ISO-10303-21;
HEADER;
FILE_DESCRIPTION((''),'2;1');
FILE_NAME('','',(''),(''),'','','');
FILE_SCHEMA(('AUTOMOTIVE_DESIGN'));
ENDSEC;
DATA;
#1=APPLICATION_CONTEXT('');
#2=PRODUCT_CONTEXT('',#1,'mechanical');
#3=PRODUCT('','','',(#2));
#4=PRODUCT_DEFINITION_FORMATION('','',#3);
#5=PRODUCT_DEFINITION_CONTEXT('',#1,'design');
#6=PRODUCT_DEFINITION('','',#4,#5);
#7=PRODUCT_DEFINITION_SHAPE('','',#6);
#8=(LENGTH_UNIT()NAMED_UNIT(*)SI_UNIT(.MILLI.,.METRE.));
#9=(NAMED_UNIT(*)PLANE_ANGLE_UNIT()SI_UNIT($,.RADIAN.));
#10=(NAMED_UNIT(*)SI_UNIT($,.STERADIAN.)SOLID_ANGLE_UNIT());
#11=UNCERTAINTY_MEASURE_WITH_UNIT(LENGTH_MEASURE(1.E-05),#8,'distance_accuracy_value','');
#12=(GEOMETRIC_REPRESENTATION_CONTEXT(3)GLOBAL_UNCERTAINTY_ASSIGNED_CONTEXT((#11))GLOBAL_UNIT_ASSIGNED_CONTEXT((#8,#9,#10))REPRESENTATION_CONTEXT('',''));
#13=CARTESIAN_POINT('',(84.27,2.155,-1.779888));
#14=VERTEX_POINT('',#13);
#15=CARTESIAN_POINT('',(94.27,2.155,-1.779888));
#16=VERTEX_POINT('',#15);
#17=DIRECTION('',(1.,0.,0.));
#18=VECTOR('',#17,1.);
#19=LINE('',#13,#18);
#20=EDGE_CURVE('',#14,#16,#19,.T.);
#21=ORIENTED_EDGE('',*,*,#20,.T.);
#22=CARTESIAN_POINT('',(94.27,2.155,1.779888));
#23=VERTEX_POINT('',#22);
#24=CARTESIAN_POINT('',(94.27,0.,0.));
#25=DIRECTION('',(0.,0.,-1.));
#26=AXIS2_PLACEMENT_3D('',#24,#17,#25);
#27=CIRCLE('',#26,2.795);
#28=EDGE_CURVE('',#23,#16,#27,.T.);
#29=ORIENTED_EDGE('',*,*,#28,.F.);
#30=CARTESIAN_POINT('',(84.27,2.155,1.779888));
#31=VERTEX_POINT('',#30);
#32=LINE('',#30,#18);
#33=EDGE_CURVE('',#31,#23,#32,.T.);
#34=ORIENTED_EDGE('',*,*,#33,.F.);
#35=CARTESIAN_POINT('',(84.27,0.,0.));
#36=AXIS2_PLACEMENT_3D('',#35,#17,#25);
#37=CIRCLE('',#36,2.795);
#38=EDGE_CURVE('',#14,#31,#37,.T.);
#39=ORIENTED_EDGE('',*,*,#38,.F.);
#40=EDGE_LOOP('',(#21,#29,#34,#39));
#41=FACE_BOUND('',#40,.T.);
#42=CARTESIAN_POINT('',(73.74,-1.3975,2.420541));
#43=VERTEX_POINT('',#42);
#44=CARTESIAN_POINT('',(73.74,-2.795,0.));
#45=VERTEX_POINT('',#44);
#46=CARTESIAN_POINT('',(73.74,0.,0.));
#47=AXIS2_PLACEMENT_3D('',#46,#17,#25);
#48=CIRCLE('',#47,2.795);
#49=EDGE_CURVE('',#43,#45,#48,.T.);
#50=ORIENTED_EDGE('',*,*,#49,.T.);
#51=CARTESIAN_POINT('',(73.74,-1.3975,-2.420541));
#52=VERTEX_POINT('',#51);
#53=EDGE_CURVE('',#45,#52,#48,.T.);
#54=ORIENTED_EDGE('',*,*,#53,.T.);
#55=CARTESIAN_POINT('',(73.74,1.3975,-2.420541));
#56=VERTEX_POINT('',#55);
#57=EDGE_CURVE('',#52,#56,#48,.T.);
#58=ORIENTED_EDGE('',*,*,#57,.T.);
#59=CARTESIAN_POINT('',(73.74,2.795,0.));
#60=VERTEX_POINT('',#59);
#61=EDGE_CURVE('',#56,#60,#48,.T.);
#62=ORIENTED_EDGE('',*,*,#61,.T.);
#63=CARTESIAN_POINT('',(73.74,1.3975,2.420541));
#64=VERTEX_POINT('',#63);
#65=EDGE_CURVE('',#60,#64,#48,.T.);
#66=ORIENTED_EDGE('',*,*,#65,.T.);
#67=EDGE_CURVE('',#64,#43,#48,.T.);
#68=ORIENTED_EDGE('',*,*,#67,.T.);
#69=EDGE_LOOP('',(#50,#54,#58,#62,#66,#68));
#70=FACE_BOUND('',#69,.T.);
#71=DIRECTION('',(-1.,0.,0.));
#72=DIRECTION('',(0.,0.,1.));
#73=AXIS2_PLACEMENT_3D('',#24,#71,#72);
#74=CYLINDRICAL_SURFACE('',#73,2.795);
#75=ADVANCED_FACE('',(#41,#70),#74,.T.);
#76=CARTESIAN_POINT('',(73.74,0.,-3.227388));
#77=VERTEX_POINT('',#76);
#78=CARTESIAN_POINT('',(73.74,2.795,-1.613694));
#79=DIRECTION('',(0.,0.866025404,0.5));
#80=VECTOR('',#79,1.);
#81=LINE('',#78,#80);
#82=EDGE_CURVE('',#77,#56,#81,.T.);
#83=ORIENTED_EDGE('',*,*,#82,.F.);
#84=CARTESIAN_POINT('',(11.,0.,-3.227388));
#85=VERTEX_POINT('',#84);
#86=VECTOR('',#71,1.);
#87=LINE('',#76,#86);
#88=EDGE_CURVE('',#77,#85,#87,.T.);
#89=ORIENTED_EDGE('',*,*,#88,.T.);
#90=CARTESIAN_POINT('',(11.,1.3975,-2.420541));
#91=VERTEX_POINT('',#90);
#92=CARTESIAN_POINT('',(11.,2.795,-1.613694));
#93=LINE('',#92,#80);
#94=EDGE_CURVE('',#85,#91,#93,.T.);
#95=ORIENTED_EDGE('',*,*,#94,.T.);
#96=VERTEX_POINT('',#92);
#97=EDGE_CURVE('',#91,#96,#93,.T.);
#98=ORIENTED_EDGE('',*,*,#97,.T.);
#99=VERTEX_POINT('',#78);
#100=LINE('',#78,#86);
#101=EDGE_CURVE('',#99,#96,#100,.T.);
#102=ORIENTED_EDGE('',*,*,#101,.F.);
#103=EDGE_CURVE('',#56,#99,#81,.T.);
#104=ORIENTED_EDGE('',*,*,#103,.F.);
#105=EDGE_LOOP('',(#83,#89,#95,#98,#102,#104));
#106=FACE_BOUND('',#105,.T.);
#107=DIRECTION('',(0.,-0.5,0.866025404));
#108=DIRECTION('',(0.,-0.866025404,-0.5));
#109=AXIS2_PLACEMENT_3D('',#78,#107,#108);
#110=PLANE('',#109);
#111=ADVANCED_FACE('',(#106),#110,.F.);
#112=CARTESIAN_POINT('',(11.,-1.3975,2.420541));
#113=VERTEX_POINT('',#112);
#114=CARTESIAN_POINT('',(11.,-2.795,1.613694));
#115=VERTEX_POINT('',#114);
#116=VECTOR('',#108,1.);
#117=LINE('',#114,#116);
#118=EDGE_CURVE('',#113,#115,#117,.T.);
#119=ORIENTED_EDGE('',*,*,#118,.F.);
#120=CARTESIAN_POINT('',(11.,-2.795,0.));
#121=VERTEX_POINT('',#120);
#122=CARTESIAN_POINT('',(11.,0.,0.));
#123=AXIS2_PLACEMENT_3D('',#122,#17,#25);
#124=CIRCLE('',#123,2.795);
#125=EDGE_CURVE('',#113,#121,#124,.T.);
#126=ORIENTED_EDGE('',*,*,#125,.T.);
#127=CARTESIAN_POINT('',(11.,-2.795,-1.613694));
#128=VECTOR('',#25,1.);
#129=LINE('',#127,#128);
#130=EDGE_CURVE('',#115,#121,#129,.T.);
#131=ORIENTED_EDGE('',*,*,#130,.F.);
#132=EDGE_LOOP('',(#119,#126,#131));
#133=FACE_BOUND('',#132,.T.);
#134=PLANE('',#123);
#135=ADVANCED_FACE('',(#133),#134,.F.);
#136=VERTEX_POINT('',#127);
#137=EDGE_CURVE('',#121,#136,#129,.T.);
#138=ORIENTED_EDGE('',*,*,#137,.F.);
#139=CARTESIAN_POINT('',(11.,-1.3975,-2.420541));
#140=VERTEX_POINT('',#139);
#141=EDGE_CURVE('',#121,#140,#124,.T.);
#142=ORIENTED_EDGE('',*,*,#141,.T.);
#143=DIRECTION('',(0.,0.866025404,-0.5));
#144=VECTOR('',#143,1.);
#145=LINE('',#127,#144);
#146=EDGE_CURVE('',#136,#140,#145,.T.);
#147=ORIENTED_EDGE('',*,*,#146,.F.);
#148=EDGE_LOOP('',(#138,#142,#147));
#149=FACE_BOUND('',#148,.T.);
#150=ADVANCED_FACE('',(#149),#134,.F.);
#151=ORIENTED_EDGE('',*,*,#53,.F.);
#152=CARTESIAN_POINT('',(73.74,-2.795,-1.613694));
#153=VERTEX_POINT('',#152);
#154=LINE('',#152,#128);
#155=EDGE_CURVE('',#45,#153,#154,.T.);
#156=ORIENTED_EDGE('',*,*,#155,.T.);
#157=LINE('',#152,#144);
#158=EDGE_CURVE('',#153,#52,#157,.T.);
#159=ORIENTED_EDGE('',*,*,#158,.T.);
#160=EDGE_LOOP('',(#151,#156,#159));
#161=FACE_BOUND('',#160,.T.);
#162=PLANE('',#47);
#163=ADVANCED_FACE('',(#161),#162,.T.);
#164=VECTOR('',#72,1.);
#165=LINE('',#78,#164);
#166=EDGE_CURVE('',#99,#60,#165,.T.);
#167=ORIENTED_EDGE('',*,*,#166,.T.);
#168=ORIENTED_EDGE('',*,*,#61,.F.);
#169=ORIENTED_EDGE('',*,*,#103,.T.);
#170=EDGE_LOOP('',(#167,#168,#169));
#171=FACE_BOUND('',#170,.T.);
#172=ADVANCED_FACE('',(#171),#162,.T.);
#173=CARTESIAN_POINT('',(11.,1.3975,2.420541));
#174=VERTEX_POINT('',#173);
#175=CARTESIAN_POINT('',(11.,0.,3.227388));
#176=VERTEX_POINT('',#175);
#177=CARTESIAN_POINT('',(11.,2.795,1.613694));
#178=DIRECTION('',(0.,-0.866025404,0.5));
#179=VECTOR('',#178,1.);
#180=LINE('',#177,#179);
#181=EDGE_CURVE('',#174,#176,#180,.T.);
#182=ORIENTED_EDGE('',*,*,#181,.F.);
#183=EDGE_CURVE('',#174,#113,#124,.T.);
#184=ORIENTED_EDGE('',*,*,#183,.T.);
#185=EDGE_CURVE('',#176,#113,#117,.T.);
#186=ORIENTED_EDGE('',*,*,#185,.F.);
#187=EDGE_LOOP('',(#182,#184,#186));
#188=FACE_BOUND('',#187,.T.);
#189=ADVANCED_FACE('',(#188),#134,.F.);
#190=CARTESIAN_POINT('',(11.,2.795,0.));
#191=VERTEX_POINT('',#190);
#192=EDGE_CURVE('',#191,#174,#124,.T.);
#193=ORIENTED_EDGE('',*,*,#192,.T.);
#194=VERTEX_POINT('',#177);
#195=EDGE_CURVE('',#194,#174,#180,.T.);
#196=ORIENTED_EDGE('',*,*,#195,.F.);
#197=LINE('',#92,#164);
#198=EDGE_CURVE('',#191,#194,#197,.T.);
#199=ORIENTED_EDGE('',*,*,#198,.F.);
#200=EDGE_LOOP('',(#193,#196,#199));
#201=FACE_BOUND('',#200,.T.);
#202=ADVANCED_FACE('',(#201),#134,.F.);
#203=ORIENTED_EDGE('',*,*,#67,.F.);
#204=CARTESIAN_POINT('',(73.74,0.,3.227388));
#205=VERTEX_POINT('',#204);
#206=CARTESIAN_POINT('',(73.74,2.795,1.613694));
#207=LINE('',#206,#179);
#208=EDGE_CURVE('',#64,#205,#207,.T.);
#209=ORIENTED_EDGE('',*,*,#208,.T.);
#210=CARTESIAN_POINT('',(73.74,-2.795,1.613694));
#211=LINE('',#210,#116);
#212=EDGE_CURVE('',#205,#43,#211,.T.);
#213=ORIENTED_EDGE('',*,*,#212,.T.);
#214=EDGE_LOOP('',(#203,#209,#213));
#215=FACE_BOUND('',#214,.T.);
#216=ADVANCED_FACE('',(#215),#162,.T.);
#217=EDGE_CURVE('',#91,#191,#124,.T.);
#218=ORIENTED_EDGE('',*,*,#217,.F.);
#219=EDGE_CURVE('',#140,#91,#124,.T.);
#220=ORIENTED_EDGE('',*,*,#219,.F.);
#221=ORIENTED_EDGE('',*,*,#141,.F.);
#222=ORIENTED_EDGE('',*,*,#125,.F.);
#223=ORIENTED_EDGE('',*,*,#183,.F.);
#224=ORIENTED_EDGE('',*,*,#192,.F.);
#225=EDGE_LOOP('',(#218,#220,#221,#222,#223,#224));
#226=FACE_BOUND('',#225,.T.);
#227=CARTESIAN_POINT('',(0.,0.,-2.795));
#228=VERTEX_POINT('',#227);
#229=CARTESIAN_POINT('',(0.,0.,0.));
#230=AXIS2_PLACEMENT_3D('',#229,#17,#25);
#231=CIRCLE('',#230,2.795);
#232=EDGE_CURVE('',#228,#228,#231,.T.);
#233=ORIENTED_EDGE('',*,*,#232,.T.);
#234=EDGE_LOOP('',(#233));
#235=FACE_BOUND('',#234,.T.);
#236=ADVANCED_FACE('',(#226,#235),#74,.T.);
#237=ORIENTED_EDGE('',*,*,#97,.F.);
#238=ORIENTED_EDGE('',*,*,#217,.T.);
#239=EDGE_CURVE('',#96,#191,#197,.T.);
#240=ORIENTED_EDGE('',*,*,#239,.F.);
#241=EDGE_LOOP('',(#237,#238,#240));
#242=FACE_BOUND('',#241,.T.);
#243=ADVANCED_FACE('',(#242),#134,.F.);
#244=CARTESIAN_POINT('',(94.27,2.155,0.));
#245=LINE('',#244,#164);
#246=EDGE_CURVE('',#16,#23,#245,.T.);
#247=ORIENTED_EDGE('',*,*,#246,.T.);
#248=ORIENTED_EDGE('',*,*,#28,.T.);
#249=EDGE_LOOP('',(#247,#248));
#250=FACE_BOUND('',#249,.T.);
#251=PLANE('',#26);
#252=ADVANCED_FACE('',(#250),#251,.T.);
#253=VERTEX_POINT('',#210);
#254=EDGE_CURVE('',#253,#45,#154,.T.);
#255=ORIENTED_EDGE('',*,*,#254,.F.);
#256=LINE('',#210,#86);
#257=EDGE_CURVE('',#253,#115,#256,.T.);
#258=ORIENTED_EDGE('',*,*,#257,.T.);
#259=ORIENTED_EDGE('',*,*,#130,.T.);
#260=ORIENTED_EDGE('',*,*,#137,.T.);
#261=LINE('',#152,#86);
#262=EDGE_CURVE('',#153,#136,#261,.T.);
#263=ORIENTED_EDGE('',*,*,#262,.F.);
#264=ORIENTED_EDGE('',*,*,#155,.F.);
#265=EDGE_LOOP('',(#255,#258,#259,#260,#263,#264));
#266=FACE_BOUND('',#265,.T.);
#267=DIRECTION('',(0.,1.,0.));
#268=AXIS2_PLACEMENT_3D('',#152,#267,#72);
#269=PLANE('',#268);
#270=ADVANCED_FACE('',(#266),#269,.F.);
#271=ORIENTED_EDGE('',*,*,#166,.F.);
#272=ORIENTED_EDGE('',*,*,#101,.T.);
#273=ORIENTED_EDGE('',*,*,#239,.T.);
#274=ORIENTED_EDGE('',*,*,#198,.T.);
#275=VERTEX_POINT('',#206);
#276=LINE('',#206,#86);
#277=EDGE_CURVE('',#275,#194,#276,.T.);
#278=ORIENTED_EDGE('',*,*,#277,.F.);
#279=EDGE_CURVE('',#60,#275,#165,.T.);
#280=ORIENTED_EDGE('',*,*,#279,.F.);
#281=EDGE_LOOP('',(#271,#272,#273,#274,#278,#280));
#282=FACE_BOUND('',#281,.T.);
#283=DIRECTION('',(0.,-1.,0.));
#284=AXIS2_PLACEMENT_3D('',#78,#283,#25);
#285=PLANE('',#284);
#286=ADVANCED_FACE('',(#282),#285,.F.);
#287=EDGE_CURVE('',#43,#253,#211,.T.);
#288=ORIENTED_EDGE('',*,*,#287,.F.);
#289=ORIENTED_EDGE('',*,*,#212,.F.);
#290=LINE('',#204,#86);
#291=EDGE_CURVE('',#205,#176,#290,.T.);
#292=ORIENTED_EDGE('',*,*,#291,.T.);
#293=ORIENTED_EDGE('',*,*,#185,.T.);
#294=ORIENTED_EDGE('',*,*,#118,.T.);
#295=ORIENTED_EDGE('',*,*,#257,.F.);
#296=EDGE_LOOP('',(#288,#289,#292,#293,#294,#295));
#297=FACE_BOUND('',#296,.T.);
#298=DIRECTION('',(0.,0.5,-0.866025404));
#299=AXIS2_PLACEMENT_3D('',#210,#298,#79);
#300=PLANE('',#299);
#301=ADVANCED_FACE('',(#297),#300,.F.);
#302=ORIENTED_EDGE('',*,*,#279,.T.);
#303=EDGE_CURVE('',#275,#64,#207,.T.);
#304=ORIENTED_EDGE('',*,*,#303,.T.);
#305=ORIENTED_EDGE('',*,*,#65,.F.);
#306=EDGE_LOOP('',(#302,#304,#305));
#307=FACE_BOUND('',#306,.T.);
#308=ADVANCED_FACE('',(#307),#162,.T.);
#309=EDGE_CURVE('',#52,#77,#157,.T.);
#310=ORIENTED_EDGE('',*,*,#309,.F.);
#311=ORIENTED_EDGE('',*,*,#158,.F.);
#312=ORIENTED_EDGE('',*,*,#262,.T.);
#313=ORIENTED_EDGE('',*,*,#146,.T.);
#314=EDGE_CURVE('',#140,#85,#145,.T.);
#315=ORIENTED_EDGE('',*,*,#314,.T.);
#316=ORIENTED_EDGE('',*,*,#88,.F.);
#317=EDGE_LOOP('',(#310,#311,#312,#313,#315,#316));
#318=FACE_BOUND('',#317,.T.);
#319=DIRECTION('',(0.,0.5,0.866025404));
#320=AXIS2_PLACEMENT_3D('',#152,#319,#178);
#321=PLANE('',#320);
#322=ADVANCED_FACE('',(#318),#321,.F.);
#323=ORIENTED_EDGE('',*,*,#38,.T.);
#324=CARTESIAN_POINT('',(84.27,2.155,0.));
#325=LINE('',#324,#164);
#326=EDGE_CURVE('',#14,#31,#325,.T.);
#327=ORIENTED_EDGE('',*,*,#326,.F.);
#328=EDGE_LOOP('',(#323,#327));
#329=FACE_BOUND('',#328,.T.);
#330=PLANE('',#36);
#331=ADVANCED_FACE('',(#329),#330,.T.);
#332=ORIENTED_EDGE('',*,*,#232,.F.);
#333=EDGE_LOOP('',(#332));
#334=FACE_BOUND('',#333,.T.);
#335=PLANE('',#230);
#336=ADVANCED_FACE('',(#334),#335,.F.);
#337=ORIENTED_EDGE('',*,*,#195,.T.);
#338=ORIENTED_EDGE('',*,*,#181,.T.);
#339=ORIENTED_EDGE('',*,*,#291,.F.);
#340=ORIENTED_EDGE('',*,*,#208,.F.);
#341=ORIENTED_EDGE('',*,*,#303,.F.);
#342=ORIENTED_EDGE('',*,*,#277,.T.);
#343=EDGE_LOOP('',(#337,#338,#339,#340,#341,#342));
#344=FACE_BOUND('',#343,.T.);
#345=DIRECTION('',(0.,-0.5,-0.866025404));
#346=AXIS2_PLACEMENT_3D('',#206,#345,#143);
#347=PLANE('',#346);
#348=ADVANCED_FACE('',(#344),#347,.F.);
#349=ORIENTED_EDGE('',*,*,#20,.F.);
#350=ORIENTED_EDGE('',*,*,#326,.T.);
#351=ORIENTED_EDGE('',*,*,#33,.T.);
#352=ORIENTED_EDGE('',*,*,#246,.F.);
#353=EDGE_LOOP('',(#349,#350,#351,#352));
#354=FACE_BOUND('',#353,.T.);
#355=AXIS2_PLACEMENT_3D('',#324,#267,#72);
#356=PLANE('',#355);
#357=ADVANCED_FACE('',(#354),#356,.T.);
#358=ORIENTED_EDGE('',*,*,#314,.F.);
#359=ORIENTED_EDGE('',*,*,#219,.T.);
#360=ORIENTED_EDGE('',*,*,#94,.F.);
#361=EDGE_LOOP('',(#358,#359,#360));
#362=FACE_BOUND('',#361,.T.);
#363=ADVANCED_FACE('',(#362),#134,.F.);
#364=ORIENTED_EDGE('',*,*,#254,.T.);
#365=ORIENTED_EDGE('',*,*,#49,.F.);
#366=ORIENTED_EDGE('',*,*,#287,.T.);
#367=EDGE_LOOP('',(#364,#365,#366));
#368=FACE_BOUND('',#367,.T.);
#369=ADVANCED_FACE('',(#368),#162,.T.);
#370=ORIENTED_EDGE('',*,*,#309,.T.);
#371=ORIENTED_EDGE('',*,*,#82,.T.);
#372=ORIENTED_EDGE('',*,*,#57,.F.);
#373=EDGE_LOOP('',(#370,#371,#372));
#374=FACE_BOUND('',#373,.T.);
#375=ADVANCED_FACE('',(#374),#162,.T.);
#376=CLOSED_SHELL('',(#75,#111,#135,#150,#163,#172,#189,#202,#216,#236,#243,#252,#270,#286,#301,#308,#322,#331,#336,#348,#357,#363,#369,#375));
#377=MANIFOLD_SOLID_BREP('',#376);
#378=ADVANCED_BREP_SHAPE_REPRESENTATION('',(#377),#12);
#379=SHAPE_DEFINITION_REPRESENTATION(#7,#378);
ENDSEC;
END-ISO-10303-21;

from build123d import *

# Parameters (mm, degrees)
SKIZZE1_R                       = 2.795
AUFSATZ_LINEAR_AUSTRAGEN1_DEPTH = 94.27
AUFSATZ_LINEAR_AUSTRAGEN2_DEPTH = 62.74
SCHNITT_LINEAR_START            = 94.27
SCHNITT_LINEAR_AUSTRAGEN1_DEPTH = 10


with BuildPart() as part:
    # Skizze1 → Aufsatz-Linear austragen1 (new body)
    with BuildSketch(Plane(origin=(0, 0, 0), x_dir=(0, 0, -1), z_dir=(1, 0, 0))):
        Circle(SKIZZE1_R)
    extrude(amount=AUFSATZ_LINEAR_AUSTRAGEN1_DEPTH)

    # Skizze2 → Aufsatz-Linear austragen2 (add)
    with BuildSketch(Plane(origin=(11, 0, 0), x_dir=(0, 0, -1), z_dir=(1, 0, 0))):
        Polygon((1.613694002, 2.795), (-1.613694002, 2.795), (-3.227388005, 0), (-1.613694002, -2.795), (1.613694002, -2.795), (3.227388005, 0), align=None)
    extrude(amount=AUFSATZ_LINEAR_AUSTRAGEN2_DEPTH)

    # Skizze3 → Schnitt-Linear austragen1 (cut)
    with BuildSketch(Plane(origin=(0, 0, 0), x_dir=(0, 0, -1), z_dir=(1, 0, 0)).offset(SCHNITT_LINEAR_START)):
        with BuildLine():
            Line((1.779887637, 2.155), (-1.779887637, 2.155))
            ThreePointArc((-1.779887637, 2.155), (0, 2.795), (1.779887637, 2.155))
        make_face()
    extrude(amount=-SCHNITT_LINEAR_AUSTRAGEN1_DEPTH, mode=Mode.SUBTRACT)


solid = part.part
